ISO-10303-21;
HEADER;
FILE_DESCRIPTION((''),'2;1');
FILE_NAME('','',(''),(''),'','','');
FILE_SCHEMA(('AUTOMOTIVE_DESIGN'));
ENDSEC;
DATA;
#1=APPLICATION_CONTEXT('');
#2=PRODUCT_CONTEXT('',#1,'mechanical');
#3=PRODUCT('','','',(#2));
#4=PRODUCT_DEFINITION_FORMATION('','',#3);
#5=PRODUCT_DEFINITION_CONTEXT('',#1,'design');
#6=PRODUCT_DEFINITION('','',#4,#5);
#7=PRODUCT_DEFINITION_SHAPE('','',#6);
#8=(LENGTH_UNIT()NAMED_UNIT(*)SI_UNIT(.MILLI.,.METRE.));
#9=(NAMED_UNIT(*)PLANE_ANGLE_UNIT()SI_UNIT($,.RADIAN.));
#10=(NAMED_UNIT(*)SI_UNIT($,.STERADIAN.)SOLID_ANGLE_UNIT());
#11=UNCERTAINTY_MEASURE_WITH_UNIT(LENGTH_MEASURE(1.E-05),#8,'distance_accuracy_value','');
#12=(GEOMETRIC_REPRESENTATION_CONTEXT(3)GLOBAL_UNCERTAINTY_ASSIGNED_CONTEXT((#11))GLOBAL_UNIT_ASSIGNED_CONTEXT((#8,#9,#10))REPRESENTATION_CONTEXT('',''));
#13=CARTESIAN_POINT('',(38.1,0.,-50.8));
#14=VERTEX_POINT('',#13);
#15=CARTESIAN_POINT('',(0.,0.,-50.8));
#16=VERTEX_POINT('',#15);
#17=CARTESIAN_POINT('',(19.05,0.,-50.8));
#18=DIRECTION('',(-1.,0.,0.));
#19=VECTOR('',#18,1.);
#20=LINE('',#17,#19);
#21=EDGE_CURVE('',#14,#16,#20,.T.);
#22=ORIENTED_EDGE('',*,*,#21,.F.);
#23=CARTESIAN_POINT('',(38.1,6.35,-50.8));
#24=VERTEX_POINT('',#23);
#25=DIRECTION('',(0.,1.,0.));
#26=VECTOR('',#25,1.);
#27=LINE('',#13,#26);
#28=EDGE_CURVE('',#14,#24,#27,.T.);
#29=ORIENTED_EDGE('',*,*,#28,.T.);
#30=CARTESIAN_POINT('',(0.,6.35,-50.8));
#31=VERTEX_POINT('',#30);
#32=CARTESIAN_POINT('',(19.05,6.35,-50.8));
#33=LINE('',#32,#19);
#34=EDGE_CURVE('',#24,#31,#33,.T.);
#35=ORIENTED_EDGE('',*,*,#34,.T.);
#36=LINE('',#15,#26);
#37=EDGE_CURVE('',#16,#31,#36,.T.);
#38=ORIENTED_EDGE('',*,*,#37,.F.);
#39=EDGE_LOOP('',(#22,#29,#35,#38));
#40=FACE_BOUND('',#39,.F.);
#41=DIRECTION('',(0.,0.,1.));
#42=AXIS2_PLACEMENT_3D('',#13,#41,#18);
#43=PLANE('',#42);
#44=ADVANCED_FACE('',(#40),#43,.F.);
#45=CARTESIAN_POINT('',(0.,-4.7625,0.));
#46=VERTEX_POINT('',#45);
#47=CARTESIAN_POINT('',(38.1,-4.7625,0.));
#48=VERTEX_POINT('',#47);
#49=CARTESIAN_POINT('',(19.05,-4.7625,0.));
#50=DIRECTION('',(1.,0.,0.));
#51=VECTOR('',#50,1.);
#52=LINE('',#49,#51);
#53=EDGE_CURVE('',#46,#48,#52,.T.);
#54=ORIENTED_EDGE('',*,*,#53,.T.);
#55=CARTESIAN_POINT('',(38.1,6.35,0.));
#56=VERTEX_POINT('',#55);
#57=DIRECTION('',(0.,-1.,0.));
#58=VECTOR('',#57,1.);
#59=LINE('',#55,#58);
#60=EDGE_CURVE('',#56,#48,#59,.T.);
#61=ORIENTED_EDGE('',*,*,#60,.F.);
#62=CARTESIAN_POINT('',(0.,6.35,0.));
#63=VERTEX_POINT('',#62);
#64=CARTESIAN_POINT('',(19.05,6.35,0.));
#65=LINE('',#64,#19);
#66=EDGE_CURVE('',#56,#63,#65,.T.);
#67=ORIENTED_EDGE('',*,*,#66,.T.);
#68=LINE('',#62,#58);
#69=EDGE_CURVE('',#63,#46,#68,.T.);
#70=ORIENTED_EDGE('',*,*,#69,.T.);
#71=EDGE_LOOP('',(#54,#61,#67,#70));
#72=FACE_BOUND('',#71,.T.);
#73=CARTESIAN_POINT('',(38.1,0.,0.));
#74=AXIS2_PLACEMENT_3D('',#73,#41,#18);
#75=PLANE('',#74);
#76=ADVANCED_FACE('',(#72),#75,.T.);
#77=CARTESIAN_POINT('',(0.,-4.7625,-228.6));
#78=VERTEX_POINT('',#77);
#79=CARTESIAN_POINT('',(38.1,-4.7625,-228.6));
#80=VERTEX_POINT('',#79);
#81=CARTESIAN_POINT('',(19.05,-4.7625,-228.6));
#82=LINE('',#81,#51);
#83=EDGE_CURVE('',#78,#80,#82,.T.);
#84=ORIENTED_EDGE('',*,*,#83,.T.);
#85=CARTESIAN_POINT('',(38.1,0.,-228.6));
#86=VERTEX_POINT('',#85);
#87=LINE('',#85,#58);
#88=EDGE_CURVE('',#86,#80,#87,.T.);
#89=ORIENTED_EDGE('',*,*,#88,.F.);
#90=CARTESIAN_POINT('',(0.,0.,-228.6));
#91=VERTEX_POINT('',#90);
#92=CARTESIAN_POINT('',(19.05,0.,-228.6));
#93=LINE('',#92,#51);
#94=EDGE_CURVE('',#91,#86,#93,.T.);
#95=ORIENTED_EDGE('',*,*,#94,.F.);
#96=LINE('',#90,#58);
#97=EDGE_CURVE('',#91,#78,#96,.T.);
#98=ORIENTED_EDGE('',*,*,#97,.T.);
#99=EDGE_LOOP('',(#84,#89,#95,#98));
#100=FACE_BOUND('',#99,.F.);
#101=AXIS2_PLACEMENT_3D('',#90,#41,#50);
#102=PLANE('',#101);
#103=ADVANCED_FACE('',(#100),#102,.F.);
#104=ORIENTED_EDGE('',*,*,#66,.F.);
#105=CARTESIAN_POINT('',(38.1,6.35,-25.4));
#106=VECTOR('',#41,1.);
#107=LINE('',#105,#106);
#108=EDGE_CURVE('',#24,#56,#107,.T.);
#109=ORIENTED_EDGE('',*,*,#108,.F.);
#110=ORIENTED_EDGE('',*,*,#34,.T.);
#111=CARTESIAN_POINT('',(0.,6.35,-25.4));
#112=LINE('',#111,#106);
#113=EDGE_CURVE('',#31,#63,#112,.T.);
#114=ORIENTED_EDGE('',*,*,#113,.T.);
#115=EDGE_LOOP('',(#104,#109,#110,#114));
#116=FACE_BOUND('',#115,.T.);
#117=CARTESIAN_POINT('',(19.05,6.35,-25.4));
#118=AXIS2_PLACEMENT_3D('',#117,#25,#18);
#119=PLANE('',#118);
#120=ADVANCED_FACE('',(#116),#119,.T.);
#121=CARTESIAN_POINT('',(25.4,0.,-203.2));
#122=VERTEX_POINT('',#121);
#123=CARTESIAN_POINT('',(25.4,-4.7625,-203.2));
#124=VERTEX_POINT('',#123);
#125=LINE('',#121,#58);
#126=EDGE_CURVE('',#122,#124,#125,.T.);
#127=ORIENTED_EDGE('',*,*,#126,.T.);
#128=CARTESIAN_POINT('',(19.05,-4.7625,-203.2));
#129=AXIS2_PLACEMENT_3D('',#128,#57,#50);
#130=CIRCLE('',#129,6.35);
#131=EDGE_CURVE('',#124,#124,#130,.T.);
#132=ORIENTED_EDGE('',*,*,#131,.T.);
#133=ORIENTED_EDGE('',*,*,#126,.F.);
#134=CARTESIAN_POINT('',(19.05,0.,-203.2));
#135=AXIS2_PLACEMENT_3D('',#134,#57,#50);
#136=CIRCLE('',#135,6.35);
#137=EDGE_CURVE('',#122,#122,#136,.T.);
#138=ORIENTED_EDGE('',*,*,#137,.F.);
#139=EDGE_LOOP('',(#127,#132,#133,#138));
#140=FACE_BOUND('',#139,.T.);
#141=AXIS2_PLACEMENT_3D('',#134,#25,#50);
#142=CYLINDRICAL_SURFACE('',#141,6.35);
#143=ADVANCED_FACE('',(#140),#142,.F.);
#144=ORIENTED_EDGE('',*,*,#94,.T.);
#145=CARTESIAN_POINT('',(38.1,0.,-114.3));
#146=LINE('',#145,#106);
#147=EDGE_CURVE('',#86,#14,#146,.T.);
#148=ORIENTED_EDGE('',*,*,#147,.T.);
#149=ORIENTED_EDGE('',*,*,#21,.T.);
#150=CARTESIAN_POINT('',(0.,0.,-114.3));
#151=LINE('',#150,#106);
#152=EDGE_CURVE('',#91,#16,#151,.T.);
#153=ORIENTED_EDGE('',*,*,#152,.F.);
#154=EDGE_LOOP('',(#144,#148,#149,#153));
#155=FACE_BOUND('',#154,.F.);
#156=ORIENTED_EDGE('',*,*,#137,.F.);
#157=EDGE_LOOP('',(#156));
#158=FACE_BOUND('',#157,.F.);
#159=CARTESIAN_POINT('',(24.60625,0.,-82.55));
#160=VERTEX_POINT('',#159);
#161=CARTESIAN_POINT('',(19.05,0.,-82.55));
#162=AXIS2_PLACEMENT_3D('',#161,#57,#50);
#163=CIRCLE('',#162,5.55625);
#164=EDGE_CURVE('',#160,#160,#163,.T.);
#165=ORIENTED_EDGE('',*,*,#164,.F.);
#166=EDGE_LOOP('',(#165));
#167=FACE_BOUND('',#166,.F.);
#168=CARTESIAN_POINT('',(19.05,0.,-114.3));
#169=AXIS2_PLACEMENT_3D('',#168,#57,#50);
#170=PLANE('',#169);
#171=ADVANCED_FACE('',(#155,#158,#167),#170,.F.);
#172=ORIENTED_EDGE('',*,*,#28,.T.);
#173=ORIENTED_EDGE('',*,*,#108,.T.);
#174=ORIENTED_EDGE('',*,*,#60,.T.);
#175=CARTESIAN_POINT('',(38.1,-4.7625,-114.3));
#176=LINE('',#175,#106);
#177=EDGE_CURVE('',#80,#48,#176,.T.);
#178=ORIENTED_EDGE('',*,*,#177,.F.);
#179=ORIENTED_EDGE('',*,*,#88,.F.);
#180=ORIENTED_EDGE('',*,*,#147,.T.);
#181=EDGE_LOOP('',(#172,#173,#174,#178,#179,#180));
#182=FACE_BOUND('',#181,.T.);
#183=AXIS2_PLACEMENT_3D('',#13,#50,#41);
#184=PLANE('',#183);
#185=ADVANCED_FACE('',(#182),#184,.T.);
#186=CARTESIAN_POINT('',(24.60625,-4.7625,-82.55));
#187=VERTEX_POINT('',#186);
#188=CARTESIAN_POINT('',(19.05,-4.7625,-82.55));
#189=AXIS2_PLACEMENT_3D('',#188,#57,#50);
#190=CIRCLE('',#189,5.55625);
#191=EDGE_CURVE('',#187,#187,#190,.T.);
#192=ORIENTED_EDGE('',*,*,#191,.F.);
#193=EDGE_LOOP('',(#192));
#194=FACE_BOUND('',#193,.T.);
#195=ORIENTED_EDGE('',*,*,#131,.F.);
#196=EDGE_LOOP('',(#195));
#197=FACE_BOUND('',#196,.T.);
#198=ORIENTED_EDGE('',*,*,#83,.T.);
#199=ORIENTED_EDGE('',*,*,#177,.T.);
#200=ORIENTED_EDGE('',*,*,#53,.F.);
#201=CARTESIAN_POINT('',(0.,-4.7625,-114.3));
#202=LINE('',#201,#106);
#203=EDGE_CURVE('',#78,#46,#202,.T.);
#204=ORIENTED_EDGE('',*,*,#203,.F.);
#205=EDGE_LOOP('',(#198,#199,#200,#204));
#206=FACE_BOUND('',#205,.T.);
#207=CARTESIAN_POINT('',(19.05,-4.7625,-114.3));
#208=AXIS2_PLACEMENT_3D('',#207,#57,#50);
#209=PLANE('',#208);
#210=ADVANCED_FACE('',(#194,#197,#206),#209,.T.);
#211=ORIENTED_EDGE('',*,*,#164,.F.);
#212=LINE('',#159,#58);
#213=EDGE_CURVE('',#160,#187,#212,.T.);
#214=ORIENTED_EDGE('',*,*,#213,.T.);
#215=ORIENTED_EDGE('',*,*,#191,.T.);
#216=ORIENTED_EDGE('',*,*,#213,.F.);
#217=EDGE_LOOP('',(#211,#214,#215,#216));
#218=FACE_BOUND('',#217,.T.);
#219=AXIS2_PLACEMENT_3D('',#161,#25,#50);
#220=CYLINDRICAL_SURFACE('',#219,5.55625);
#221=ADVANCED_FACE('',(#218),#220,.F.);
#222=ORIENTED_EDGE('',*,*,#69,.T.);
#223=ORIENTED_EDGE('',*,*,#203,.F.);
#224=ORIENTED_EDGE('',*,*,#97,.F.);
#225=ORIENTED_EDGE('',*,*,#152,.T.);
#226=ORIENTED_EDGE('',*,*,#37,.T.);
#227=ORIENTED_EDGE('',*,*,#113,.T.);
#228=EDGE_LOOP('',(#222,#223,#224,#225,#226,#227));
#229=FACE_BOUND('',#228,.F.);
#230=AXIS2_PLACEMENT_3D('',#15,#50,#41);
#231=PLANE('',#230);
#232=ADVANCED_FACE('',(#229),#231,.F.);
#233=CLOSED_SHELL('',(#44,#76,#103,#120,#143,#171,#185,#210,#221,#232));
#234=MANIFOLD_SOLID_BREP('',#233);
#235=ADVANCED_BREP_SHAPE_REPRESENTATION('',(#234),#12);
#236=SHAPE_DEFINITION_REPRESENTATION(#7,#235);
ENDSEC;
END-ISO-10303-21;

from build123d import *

# Parameters (mm, degrees)
F0_W     = 38.1
F0_H     = 228.6
F0_R     = 6.35
F0_R_2   = 5.55625
F1_DEPTH = 4.7625
F2_W     = 38.1
F2_H     = 50.8
F3_DEPTH = 6.35


with BuildPart() as f1:
    # F0 (on Front) → F1 (new body)
    with BuildSketch(Plane.XZ):
        with Locations((19.05, -114.3)):
            Rectangle(F0_W, F0_H)
        with Locations((19.05, -203.2)):
            Circle(F0_R, mode=Mode.SUBTRACT)
        with Locations((19.05, -82.55)):
            Circle(F0_R_2, mode=Mode.SUBTRACT)
    extrude(amount=F1_DEPTH)

    # F2 (on face) → F3 (join)
    with BuildSketch(Plane(origin=(0, 0, 0), x_dir=(-1, 0, 0), z_dir=(0, 1, 0))):
        with Locations((-19.05, -25.4)):
            Rectangle(F2_W, F2_H)
    extrude(amount=F3_DEPTH)


solid = f1.part
